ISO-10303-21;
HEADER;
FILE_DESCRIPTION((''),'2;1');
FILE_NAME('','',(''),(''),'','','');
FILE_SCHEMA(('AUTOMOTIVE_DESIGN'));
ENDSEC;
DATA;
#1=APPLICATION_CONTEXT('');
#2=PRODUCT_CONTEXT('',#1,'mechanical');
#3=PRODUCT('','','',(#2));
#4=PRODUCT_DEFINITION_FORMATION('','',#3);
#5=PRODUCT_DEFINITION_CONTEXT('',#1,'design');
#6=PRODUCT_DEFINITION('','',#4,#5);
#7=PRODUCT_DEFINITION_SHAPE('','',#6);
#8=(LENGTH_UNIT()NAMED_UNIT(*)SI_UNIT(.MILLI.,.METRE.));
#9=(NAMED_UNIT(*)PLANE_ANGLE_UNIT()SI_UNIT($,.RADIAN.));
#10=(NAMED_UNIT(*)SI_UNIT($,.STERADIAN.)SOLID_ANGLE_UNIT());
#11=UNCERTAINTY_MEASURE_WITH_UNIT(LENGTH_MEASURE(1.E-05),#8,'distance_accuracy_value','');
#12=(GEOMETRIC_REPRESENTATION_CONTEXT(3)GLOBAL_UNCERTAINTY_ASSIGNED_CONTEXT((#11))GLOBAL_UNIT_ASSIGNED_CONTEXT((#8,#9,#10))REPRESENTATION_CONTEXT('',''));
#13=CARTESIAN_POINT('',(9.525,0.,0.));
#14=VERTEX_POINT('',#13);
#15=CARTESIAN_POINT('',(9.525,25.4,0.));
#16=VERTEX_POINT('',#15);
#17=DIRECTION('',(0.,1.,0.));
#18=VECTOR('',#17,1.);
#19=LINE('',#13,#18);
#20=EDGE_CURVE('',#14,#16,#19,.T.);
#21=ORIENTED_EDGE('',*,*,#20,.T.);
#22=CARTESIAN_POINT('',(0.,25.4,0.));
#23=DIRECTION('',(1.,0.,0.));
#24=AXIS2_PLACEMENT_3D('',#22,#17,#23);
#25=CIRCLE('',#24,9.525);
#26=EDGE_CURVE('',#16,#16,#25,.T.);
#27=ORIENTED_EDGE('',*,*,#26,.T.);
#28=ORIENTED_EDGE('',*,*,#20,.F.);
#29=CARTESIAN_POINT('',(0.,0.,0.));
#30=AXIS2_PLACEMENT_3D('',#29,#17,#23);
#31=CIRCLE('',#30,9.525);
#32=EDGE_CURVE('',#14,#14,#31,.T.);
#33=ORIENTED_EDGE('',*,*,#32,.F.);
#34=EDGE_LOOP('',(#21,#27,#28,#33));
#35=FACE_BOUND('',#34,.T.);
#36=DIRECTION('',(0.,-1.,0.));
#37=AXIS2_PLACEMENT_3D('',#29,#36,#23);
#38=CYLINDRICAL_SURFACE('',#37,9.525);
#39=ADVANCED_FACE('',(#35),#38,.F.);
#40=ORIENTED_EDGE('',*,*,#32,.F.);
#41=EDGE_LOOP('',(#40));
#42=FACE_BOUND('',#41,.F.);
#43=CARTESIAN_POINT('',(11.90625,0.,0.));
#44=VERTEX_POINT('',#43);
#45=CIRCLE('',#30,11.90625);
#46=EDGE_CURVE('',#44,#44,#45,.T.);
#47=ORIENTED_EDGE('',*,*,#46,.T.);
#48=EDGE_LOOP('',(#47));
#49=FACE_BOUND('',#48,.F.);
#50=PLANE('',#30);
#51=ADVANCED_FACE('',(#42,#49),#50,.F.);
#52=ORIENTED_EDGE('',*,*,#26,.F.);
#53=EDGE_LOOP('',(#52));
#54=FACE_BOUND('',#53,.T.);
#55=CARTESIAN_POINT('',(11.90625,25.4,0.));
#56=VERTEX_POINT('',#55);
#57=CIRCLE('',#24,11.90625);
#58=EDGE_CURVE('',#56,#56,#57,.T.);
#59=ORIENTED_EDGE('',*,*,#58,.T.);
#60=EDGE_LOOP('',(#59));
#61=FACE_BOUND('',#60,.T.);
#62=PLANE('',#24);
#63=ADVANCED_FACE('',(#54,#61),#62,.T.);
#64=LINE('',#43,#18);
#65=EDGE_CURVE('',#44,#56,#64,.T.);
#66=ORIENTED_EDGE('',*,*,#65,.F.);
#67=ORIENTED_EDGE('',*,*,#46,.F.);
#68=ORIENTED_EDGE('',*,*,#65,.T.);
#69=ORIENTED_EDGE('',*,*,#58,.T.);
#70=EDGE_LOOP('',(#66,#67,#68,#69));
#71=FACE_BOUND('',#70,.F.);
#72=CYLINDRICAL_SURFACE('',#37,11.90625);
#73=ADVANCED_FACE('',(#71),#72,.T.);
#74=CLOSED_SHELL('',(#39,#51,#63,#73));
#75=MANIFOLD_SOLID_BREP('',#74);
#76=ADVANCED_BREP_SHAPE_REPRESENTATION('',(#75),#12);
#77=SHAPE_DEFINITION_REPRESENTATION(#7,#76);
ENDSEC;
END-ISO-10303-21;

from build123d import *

# Parameters (mm, degrees)
SKETCH1_R           = 11.90625
SKETCH1_R_2         = 9.525
BOSS_EXTRUDE1_DEPTH = 25.4


with BuildPart() as part:
    # Sketch1 → Boss-Extrude1 (new body)
    with BuildSketch(Plane(origin=(0, 0, 0), x_dir=(1, 0, 0), z_dir=(0, 1, 0))):
        Circle(SKETCH1_R)
        Circle(SKETCH1_R_2, mode=Mode.SUBTRACT)
    extrude(amount=BOSS_EXTRUDE1_DEPTH)


solid = part.part
